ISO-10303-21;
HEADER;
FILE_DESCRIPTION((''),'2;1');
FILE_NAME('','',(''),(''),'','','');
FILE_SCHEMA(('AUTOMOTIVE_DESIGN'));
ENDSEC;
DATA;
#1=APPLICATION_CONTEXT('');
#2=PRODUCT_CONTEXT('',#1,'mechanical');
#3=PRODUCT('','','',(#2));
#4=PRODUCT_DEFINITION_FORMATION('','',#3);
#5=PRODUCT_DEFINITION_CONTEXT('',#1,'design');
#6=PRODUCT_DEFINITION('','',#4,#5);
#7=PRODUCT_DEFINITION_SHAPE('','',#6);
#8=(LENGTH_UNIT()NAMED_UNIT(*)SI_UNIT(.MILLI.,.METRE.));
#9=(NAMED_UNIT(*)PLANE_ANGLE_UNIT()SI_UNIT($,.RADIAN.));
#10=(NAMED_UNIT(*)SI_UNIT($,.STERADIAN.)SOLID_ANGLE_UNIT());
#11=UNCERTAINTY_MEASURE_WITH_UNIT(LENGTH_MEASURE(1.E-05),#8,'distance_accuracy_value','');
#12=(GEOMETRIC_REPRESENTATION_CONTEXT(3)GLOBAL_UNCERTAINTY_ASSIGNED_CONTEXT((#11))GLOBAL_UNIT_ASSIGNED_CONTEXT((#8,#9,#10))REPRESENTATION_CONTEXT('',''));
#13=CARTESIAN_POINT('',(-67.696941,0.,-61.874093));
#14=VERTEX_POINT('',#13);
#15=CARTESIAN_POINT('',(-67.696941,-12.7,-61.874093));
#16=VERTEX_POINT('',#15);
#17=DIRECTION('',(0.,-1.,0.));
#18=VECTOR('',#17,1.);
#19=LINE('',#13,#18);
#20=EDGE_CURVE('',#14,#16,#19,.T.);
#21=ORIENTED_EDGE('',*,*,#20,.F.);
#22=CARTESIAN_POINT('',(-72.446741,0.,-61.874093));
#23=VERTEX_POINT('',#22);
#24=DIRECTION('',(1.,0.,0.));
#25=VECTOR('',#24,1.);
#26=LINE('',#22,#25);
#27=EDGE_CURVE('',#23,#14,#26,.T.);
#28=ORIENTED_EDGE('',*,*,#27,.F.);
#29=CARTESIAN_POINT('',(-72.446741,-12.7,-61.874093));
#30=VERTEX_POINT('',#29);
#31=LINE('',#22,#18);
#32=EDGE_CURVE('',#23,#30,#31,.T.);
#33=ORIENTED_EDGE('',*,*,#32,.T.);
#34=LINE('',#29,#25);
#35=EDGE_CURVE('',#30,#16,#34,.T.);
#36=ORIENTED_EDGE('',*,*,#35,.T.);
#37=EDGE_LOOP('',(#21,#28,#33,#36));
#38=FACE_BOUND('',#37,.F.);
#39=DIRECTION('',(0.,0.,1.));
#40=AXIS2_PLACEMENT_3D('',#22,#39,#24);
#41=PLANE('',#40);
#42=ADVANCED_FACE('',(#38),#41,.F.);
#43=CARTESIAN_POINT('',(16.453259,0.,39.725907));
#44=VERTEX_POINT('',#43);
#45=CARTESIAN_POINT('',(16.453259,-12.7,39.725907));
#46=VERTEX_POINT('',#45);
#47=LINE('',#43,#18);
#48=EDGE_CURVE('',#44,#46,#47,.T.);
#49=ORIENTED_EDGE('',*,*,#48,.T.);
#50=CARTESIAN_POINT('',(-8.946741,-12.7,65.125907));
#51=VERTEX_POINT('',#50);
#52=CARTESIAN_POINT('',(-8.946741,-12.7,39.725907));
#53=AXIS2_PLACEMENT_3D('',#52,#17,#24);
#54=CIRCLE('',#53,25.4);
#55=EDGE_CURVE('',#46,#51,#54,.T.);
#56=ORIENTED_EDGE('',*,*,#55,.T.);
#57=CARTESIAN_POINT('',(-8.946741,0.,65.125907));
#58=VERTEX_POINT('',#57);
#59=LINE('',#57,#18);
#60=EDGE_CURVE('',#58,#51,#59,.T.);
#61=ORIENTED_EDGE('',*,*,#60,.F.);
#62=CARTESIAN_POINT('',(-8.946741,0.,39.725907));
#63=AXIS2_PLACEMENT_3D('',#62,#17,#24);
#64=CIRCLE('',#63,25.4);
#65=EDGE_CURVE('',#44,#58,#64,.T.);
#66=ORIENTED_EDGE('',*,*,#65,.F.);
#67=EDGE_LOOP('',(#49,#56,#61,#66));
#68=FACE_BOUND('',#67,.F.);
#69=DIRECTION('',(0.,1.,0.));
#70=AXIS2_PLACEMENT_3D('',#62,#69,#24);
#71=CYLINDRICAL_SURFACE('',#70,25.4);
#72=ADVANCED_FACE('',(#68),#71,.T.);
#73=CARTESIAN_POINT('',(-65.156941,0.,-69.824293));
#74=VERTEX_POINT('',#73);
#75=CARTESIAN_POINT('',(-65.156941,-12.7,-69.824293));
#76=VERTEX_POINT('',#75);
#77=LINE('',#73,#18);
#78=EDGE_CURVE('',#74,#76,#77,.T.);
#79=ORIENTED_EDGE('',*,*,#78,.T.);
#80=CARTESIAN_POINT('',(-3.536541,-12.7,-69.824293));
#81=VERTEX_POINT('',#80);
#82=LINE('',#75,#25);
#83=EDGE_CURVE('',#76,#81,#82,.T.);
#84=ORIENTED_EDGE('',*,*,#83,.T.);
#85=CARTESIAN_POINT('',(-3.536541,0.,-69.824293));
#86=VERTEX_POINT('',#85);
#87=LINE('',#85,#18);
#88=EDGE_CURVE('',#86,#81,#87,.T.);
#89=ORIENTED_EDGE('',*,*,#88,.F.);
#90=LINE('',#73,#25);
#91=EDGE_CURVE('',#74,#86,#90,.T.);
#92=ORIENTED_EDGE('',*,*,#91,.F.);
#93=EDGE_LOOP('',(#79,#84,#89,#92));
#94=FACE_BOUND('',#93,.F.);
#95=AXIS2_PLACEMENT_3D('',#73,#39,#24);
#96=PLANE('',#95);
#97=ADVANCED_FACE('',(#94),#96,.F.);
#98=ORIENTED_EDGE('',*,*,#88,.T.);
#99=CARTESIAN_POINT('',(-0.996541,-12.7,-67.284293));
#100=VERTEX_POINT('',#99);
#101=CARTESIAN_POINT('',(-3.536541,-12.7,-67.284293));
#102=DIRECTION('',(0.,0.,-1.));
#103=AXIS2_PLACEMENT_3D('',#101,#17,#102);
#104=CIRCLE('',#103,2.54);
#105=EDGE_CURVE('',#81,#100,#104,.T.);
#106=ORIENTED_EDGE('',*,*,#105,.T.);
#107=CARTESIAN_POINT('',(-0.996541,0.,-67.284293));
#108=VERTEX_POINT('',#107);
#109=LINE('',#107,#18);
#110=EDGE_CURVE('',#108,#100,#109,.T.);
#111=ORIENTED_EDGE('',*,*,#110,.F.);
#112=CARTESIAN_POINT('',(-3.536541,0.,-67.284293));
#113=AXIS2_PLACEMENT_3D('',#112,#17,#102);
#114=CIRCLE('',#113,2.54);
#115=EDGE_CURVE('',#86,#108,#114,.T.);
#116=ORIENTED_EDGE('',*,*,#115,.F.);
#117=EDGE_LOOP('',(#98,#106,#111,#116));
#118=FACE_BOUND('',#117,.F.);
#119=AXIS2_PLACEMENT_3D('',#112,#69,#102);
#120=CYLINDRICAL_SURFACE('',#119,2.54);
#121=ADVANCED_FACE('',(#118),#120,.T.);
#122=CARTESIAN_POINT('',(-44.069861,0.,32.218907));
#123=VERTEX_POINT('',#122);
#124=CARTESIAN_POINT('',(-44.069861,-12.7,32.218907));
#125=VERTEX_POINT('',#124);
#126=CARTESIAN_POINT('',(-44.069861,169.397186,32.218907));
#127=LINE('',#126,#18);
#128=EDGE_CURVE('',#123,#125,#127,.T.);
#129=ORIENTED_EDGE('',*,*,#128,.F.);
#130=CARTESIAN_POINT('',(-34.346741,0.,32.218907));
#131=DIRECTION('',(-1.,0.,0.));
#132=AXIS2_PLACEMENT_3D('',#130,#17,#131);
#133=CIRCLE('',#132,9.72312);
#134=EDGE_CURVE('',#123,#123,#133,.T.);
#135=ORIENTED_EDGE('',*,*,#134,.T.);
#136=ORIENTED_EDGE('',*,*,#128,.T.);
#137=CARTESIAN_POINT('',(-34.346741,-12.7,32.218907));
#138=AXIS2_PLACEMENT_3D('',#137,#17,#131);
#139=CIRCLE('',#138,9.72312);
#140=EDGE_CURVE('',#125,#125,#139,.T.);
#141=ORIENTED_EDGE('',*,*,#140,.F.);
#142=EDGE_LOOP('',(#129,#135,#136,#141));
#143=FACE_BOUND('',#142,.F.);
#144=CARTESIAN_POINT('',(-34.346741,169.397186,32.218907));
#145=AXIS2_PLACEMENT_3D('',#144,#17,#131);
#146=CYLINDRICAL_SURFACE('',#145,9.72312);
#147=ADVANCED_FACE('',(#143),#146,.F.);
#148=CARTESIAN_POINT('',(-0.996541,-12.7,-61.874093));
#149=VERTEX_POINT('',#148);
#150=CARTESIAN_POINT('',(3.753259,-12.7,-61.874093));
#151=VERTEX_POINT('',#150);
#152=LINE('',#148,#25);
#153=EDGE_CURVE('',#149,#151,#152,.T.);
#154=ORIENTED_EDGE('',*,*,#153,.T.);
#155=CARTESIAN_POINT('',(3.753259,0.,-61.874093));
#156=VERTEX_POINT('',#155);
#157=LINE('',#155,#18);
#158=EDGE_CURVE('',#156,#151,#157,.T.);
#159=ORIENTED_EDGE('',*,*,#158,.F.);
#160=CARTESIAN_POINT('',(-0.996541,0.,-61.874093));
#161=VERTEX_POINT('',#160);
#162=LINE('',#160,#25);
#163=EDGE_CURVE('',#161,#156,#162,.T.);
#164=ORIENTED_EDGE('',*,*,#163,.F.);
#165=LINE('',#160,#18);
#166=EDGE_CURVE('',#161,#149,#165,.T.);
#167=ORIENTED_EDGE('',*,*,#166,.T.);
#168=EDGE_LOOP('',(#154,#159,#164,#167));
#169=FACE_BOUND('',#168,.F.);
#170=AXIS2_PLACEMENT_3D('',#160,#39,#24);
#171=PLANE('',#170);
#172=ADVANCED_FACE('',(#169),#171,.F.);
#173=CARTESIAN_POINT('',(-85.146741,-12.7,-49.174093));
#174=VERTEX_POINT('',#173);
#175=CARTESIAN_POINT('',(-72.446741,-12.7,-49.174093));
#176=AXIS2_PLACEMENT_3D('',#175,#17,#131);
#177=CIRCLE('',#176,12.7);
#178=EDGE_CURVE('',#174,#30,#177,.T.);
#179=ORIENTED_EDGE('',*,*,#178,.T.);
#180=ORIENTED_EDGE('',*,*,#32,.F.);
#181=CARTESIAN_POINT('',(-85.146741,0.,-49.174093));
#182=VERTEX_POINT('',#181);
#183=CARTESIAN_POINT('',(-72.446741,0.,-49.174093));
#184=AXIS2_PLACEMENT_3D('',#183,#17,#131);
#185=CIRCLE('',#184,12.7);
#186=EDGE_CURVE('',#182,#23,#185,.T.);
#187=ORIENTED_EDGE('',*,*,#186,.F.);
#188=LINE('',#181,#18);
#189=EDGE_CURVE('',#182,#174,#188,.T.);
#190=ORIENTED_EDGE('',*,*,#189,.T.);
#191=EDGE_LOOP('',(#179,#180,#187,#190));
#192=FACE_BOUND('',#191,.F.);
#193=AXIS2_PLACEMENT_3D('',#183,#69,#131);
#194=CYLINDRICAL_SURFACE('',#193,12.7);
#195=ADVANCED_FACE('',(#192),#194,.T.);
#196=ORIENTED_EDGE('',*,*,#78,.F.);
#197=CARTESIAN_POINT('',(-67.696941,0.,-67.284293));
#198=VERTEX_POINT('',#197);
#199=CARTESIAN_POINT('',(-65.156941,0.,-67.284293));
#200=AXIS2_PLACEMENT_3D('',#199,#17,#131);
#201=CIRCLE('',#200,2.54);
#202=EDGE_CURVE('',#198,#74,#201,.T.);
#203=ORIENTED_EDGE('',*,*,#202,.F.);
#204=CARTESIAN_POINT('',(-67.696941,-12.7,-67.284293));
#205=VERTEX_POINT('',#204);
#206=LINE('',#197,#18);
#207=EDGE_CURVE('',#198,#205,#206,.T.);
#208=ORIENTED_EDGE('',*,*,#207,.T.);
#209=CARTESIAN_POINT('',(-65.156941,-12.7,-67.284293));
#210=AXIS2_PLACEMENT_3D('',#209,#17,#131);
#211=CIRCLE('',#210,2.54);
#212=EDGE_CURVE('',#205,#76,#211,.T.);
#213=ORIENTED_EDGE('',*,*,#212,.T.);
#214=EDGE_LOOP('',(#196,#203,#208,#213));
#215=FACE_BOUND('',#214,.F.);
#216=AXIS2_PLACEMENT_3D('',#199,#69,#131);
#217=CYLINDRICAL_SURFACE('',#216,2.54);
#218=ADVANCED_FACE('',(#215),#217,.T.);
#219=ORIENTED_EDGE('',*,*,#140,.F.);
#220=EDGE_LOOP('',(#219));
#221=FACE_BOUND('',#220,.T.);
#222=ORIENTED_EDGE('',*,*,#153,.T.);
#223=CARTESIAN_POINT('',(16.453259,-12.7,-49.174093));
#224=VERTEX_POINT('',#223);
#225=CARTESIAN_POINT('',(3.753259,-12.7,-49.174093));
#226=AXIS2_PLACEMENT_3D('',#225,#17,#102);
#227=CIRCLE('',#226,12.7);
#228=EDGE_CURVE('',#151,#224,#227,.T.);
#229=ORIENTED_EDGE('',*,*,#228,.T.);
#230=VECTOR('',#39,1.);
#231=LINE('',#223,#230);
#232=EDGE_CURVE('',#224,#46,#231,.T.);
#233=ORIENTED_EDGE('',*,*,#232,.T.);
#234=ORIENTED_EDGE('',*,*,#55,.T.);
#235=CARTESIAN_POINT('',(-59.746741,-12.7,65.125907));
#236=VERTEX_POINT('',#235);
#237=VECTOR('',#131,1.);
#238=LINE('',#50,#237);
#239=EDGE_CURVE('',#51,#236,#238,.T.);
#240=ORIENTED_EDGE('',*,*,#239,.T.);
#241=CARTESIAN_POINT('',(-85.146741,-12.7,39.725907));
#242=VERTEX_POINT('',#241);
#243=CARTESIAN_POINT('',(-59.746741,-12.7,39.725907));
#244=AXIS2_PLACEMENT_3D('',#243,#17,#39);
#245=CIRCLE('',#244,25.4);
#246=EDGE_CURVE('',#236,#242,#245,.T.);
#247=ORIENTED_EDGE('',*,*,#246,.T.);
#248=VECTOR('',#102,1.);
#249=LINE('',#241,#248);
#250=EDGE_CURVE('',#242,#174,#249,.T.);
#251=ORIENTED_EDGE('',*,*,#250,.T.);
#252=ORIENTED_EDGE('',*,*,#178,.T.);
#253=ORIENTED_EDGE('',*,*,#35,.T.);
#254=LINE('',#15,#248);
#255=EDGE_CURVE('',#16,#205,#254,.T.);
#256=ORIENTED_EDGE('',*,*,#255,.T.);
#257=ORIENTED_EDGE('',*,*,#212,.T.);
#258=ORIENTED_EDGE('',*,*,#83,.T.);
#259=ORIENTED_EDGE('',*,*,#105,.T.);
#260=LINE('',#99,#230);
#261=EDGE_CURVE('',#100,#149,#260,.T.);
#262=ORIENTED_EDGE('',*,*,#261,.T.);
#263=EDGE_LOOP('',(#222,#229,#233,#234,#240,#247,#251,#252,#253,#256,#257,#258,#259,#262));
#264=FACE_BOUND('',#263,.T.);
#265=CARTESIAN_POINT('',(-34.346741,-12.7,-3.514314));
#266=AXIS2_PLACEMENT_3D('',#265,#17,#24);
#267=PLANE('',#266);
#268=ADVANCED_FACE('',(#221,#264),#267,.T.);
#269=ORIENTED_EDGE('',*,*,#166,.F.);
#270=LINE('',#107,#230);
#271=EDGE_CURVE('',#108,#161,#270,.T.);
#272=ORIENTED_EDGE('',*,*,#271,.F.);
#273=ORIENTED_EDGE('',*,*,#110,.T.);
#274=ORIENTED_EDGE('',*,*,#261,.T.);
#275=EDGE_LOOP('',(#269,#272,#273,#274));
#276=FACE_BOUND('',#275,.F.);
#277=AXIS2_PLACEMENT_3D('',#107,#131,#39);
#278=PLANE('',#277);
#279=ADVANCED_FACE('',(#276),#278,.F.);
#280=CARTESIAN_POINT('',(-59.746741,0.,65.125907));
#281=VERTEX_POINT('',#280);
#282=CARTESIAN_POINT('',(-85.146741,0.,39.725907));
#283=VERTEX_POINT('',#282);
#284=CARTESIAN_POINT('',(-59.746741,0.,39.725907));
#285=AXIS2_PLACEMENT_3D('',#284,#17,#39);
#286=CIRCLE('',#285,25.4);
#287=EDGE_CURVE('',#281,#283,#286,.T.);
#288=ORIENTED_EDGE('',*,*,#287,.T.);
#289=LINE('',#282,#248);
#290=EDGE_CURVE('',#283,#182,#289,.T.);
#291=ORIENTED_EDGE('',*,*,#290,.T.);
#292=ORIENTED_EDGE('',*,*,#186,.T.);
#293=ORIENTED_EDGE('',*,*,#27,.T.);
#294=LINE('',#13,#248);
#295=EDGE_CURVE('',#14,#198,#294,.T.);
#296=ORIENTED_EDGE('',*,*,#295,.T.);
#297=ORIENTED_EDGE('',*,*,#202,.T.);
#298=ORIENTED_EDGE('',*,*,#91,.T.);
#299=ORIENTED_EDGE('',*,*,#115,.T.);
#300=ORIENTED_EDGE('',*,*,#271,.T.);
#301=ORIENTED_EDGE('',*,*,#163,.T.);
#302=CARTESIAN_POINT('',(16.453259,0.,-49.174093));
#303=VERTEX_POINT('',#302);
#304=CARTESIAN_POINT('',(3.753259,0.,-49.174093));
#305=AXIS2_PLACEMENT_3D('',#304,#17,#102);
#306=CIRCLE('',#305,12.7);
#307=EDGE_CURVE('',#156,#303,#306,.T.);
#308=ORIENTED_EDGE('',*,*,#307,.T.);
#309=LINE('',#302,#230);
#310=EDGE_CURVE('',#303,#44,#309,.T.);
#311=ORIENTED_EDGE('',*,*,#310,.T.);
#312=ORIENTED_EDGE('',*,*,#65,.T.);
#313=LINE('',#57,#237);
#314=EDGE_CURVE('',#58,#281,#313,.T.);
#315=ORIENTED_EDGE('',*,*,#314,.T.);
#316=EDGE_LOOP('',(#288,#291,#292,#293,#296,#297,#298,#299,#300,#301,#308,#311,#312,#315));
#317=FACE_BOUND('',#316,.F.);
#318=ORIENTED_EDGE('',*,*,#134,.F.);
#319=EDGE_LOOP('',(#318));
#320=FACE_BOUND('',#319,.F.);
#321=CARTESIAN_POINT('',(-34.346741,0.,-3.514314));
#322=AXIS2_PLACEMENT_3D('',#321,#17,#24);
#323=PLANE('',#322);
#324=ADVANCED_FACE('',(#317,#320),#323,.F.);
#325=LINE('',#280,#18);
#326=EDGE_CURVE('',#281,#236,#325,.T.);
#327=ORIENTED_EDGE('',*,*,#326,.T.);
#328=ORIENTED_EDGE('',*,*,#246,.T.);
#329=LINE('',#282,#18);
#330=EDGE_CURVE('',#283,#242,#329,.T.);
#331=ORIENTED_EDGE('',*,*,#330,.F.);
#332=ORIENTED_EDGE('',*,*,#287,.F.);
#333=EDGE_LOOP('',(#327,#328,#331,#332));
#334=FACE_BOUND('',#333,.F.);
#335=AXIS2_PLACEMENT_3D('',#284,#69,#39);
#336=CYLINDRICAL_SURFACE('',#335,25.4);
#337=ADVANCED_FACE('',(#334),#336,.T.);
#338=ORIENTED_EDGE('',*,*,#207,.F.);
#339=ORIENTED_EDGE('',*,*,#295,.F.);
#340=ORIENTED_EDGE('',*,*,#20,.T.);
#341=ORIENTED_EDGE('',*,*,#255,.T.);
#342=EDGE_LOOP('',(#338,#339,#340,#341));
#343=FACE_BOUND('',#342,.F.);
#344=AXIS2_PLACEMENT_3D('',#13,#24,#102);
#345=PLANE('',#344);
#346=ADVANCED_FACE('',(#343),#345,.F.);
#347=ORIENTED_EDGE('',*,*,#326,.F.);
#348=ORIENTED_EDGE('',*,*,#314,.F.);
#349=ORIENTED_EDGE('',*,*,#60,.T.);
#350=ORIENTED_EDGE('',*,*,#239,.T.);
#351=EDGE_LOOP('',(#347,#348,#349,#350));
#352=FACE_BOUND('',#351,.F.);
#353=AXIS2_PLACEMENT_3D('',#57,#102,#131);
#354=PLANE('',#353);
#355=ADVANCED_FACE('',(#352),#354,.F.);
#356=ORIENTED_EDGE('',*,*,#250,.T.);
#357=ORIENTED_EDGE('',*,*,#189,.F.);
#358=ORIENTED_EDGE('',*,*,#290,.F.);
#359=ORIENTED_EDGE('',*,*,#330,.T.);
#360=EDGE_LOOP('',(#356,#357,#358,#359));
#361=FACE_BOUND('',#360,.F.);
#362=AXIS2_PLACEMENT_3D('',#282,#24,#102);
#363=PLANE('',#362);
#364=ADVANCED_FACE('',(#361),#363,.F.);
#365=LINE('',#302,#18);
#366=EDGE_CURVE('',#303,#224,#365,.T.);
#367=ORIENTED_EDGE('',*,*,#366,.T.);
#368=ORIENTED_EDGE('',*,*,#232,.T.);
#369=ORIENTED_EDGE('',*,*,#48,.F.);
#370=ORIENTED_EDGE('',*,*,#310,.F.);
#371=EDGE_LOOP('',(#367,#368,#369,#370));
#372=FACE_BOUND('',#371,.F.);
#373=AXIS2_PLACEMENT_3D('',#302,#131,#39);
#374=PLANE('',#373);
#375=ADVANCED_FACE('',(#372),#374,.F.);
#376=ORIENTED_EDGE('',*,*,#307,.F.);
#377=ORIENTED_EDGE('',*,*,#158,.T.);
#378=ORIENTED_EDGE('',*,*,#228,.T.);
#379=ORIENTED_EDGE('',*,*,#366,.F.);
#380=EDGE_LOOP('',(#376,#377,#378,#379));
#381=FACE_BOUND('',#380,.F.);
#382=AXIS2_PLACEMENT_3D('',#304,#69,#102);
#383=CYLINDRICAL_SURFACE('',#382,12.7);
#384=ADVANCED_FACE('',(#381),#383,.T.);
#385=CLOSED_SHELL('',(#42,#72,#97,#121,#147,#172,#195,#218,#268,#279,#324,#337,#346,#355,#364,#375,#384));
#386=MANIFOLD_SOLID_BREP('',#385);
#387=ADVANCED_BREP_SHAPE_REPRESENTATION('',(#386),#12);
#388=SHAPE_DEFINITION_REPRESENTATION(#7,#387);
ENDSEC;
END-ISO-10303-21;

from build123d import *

# Parameters (mm, degrees)
F1_DEPTH = 12.7
F2_D     = 19.44624


with BuildPart() as f1:
    # F0 (on Front) → F1 (new body)
    with BuildSketch(Plane.XZ):
        with BuildLine():
            Line((-8.9467406929, 65.1259068947), (-59.7467406929, 65.1259068947))
            ThreePointArc((-59.7467406929, 65.1259068947), (-77.707252935, 57.6864191368), (-85.1467406929, 39.7259068947))
            Line((-85.1467406929, 39.7259068947), (-85.1467406929, -49.1740931053))
            ThreePointArc((-85.1467406929, -49.1740931053), (-81.4269968139, -58.1543492264), (-72.4467406929, -61.8740931053))
            Line((-72.4467406929, -61.8740931053), (-67.6969406929, -61.8740931053))
            Line((-67.6969406929, -61.8740931053), (-67.6969406929, -67.2842931053))
            ThreePointArc((-67.6969406929, -67.2842931053), (-66.9529919171, -69.0803443295), (-65.1569406929, -69.8242931053))
            Line((-65.1569406929, -69.8242931053), (-3.5365406929, -69.8242931053))
            ThreePointArc((-3.5365406929, -69.8242931053), (-1.7404894686, -69.0803443295), (-0.9965406929, -67.2842931053))
            Line((-0.9965406929, -67.2842931053), (-0.9965406929, -61.8740931053))
            Line((-0.9965406929, -61.8740931053), (3.7532593071, -61.8740931053))
            ThreePointArc((3.7532593071, -61.8740931053), (12.7335154282, -58.1543492264), (16.4532593071, -49.1740931053))
            Line((16.4532593071, -49.1740931053), (16.4532593071, 39.7259068947))
            ThreePointArc((16.4532593071, 39.7259068947), (9.0137715493, 57.6864191368), (-8.9467406929, 65.1259068947))
        make_face()
    extrude(amount=F1_DEPTH)

    # F2 (through all)
    with Locations(Plane(origin=(0, 0, 0), x_dir=(1, 0, 0), z_dir=(0, 1, 0))):
        with Locations((-34.3467406929, -32.2189068947)):
            Hole(F2_D / 2)


solid = f1.part
